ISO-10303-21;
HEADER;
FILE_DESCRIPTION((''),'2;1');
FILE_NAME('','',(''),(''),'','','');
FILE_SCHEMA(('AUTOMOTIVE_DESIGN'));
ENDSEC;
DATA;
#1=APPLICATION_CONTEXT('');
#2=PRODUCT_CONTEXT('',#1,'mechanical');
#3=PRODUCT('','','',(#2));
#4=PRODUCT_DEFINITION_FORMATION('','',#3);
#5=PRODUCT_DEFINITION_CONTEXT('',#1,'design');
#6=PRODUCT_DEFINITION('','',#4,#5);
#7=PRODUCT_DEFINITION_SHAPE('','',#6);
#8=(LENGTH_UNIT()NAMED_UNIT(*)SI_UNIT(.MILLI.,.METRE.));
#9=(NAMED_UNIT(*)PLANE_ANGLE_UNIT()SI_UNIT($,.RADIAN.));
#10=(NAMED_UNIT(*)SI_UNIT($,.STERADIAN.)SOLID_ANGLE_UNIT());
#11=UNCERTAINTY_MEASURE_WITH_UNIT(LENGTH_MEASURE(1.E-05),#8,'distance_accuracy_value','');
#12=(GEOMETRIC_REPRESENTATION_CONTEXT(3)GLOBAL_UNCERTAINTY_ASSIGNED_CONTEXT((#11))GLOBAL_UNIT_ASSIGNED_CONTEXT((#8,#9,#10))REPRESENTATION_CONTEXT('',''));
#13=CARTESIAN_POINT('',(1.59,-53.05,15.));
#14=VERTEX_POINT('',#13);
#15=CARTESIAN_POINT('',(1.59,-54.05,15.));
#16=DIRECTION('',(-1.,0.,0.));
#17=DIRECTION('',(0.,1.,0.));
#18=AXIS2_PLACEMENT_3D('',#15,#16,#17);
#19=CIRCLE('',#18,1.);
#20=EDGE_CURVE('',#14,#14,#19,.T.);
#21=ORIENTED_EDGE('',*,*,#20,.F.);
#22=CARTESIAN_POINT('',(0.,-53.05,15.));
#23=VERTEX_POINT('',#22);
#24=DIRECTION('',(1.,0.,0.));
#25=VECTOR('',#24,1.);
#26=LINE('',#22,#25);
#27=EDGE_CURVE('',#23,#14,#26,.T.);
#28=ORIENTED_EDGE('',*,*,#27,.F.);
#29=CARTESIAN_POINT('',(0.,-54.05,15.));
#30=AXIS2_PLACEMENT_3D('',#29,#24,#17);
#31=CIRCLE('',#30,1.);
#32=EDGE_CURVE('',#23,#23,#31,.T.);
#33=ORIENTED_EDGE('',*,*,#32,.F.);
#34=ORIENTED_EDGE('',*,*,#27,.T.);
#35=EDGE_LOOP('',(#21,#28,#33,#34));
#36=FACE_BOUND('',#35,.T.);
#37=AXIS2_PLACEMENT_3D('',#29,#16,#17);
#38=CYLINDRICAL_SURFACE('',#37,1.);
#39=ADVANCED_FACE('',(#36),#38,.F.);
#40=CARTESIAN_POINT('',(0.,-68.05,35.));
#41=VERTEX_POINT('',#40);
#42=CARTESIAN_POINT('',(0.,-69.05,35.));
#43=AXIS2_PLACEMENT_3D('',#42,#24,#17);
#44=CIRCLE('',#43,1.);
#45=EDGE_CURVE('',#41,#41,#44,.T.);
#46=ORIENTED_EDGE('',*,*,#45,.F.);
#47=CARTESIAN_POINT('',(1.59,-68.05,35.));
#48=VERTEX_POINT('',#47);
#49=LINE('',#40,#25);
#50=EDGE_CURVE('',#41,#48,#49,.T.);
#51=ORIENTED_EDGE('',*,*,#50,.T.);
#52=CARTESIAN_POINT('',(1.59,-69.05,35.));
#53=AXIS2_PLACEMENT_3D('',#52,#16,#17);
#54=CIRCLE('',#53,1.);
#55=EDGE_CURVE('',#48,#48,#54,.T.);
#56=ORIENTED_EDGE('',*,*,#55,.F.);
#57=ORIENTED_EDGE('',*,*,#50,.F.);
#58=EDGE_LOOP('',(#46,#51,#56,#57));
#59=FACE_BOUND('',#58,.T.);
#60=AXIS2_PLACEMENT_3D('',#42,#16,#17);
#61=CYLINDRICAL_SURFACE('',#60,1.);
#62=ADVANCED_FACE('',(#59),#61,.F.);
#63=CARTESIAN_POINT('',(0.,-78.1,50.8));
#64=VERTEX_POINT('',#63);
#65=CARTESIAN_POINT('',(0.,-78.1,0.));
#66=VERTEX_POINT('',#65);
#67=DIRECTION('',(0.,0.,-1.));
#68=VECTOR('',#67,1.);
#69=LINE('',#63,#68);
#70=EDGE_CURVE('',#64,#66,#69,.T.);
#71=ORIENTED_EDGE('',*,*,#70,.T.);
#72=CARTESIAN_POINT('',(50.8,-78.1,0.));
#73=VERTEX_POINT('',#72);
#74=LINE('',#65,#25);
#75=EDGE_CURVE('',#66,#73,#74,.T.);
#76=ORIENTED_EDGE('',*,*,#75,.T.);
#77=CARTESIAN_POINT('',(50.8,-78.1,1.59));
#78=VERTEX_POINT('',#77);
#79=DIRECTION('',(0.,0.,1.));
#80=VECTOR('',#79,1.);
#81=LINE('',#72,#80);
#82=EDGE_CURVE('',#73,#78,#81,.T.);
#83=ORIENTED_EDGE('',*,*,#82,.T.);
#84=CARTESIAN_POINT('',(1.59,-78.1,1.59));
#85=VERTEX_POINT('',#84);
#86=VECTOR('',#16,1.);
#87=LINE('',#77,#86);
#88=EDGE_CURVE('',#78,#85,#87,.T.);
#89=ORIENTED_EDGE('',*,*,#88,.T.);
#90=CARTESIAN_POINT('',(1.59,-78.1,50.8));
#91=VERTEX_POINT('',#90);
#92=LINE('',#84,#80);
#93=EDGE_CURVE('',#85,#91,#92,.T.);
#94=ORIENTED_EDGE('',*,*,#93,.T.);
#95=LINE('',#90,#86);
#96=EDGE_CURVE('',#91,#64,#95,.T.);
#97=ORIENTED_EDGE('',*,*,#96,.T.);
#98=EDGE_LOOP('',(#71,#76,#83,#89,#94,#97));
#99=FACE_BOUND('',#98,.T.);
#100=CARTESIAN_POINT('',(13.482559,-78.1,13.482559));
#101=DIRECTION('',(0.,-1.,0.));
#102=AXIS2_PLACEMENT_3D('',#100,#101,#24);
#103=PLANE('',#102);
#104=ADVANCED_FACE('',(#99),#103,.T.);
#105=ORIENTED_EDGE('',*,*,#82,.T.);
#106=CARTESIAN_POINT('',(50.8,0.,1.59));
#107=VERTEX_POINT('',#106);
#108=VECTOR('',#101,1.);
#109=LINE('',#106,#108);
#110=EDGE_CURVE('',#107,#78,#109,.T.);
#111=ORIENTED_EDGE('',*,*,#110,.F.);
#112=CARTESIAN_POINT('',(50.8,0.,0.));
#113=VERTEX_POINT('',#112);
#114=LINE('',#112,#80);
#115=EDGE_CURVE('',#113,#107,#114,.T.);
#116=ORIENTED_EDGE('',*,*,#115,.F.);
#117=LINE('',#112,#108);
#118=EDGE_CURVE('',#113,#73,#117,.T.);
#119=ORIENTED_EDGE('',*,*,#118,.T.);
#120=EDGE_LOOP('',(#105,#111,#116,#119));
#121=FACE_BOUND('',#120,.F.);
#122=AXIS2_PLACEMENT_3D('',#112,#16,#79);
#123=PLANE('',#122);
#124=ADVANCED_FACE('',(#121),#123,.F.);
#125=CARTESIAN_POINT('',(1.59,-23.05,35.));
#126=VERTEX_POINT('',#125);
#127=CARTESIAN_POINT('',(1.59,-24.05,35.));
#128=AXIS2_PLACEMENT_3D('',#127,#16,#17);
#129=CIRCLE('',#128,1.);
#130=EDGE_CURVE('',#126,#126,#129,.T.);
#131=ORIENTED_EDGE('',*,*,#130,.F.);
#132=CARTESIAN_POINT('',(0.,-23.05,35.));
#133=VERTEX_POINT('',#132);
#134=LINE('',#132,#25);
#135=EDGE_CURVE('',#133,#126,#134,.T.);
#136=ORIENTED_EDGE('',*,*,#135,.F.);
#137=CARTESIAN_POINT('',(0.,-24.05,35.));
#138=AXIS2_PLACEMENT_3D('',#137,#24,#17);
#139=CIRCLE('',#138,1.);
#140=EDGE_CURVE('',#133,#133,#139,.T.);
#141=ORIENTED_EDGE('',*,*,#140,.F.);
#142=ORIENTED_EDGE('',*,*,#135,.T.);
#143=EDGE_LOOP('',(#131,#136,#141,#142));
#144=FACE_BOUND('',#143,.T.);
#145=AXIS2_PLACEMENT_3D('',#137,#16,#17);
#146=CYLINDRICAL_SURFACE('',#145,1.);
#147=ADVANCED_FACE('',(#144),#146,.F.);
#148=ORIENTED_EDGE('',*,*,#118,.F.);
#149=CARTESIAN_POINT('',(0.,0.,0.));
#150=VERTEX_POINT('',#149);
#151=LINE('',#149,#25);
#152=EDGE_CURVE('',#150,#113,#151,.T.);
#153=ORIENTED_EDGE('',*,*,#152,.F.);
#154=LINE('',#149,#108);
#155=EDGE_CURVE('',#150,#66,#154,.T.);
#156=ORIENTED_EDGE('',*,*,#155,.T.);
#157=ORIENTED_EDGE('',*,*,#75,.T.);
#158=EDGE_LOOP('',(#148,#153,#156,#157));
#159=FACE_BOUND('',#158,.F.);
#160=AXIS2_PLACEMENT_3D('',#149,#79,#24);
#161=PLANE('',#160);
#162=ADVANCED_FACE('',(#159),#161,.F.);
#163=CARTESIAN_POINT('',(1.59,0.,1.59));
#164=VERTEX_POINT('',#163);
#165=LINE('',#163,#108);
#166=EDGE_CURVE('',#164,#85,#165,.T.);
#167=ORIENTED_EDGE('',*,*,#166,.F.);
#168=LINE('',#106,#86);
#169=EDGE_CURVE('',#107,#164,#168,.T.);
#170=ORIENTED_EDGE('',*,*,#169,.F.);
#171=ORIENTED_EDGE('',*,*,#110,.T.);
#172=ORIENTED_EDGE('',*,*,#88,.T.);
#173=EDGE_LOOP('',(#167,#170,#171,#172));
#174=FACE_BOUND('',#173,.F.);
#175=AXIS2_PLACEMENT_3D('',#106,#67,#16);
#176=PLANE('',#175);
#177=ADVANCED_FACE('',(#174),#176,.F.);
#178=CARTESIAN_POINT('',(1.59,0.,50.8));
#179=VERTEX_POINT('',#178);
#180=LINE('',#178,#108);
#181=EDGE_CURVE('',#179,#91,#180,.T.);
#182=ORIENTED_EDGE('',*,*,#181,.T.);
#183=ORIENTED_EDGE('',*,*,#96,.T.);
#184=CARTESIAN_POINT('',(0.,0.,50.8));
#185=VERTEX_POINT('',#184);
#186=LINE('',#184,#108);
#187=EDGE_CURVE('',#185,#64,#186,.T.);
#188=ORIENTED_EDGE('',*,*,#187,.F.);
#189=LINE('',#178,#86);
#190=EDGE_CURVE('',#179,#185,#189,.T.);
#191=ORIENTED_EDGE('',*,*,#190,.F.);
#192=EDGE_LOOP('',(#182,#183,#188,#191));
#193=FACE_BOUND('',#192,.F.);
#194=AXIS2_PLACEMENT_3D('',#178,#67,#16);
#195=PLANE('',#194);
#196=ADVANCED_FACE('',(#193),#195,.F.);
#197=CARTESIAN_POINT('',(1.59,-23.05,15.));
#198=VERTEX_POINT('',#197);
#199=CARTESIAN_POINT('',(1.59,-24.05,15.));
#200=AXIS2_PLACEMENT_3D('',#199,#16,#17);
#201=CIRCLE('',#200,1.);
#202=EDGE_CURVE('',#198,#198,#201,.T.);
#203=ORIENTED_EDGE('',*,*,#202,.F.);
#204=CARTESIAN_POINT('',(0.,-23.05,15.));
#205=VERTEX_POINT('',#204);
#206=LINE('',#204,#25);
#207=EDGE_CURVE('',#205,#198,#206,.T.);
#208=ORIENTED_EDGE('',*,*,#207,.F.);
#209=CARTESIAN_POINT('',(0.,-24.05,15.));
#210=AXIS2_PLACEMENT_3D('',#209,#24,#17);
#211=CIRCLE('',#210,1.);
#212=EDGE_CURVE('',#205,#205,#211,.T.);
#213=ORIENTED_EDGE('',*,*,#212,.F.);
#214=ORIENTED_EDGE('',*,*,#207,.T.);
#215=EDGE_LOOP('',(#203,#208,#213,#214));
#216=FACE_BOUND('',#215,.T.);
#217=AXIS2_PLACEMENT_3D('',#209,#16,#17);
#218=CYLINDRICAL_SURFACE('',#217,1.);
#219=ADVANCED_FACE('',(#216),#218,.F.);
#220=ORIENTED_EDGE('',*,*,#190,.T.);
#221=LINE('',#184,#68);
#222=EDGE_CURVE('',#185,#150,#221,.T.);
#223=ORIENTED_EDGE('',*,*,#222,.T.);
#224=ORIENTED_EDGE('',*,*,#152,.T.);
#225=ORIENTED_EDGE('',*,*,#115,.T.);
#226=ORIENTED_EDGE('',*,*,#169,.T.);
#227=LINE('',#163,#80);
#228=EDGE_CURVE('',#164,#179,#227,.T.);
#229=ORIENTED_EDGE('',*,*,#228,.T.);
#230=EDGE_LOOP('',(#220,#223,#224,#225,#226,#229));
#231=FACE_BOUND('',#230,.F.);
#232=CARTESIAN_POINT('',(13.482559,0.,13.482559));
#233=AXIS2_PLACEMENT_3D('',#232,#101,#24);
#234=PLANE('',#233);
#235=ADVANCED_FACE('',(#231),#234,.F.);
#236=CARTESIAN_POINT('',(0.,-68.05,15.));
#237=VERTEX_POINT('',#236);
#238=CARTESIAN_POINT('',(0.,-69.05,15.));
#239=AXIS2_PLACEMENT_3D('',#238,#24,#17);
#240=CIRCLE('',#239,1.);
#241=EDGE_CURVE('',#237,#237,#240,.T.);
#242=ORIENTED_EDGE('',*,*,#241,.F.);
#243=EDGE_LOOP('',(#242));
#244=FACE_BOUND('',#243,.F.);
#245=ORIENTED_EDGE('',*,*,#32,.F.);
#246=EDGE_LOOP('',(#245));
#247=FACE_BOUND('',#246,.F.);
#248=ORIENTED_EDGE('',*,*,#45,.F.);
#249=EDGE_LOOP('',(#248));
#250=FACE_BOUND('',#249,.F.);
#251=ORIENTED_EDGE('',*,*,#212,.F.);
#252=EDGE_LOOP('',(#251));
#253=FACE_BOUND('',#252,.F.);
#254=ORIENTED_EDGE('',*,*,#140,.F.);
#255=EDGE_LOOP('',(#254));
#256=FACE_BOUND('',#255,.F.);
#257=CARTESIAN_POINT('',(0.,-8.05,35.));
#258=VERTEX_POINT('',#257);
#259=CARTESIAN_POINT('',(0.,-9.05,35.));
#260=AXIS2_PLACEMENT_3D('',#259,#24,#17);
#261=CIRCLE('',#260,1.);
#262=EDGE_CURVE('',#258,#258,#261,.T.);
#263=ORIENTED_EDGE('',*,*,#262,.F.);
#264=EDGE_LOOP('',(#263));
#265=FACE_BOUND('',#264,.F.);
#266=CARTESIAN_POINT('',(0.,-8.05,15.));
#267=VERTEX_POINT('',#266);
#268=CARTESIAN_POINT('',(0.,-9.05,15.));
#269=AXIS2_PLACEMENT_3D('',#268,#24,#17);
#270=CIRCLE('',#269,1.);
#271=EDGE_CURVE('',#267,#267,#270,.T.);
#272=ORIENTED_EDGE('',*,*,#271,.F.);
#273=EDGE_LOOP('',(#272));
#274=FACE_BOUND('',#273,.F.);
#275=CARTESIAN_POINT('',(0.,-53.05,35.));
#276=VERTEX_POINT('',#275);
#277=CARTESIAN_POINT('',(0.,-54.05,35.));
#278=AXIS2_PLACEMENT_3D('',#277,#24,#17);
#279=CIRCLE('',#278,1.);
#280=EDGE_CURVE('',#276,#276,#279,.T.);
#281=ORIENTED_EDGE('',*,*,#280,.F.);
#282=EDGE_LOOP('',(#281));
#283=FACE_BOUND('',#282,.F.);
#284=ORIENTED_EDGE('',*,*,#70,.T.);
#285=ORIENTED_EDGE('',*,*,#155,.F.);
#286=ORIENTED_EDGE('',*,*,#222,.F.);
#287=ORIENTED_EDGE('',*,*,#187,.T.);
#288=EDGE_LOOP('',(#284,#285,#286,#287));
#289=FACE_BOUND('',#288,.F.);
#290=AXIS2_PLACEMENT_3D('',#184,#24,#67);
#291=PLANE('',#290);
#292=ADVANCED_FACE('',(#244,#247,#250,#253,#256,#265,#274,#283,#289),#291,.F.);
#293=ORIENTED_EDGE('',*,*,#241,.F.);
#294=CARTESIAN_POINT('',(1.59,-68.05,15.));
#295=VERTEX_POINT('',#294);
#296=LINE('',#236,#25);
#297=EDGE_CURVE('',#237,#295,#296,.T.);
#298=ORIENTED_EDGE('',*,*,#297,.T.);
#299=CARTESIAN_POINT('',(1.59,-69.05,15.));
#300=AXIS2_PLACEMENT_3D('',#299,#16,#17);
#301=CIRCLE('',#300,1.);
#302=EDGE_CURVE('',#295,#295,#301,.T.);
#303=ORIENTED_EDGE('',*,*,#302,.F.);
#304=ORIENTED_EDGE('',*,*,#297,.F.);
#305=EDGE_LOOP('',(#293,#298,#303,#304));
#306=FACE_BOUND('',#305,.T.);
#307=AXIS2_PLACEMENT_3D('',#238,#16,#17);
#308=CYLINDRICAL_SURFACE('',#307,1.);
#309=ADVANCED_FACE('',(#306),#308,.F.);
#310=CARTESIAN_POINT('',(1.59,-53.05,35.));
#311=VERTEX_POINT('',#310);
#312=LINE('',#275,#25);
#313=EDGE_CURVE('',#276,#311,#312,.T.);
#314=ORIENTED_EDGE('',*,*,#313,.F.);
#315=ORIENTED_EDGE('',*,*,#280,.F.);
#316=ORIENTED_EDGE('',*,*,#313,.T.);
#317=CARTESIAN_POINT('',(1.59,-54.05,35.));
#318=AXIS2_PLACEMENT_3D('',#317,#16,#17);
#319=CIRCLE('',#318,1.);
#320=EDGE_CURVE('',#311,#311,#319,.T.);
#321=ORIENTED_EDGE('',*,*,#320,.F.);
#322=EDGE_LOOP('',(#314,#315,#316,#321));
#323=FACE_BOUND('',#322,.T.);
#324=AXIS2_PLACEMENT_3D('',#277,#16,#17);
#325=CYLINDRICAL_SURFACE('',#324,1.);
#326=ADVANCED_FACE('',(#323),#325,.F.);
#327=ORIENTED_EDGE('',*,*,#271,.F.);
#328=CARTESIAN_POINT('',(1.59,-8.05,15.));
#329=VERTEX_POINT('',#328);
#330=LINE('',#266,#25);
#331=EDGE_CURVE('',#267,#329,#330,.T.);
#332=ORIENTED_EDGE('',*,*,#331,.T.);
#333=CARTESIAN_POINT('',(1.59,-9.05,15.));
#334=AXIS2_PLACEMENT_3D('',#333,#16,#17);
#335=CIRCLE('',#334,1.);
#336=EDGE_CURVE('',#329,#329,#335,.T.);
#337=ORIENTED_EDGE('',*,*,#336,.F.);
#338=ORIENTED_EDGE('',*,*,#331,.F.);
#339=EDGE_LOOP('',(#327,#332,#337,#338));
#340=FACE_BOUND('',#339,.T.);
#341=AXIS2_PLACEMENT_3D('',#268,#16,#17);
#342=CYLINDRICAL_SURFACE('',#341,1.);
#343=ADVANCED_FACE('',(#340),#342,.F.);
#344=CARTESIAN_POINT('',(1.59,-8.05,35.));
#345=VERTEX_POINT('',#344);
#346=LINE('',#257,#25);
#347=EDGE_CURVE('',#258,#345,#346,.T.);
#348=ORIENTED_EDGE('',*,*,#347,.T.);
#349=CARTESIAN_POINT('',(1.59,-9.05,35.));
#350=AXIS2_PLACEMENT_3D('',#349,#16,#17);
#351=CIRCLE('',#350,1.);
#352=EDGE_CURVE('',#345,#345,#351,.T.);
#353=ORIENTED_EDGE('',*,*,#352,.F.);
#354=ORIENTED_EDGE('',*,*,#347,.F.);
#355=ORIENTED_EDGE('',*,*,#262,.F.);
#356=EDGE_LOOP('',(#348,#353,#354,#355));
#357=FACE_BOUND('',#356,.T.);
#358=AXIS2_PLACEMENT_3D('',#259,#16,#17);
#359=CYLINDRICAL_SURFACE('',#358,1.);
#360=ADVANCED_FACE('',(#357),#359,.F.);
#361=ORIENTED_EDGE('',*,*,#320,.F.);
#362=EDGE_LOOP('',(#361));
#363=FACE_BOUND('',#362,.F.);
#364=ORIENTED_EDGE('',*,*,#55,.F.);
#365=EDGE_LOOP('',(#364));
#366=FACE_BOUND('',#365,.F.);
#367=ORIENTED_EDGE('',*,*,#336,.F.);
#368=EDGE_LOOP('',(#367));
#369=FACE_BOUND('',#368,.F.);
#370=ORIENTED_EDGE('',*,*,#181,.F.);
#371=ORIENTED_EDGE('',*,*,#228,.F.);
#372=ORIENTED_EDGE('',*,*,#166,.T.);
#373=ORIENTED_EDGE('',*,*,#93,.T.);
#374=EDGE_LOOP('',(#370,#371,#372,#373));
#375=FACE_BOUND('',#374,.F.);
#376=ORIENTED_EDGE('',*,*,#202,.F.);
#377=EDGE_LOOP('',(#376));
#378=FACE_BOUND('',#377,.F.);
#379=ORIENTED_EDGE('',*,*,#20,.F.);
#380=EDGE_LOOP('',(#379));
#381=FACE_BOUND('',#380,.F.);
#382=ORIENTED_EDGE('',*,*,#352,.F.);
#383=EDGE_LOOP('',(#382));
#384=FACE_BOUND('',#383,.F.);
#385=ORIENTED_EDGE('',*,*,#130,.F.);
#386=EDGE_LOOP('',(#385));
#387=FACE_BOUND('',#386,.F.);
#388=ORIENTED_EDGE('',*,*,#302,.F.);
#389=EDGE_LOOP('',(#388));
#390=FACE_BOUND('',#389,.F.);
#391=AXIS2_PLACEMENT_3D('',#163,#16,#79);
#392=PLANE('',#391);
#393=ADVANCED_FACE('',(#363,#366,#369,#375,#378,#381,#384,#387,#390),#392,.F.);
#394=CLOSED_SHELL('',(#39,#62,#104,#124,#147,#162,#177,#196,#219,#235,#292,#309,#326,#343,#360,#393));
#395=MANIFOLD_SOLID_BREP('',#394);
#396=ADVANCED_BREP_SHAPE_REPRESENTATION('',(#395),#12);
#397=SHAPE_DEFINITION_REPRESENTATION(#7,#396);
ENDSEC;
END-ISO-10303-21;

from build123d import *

# Parameters (mm, degrees)
F1_DEPTH = 78.1
F2_R     = 1
F3_DEPTH = 50.801


with BuildPart() as f1:
    # F0 (on Front) → F1 (new body)
    with BuildSketch(Plane.XZ):
        Polygon((0, 50.8), (0, 0), (50.8, 0), (50.8, 1.59), (1.59, 1.59), (1.59, 50.8), align=None)
    extrude(amount=F1_DEPTH)

    # F2 (on Right) → F3 (cut, through all)
    with BuildSketch(Plane.YZ):
        with Locations((-9.05, 15)):
            Circle(F2_R)
        with Locations((-9.05, 35)):
            Circle(F2_R)
        with Locations((-24.05, 35)):
            Circle(F2_R)
        with Locations((-24.05, 15)):
            Circle(F2_R)
        with Locations((-54.05, 15)):
            Circle(F2_R)
        with Locations((-54.05, 35)):
            Circle(F2_R)
        with Locations((-69.05, 35)):
            Circle(F2_R)
        with Locations((-69.05, 15)):
            Circle(F2_R)
    extrude(amount=F3_DEPTH, mode=Mode.SUBTRACT)


solid = f1.part
